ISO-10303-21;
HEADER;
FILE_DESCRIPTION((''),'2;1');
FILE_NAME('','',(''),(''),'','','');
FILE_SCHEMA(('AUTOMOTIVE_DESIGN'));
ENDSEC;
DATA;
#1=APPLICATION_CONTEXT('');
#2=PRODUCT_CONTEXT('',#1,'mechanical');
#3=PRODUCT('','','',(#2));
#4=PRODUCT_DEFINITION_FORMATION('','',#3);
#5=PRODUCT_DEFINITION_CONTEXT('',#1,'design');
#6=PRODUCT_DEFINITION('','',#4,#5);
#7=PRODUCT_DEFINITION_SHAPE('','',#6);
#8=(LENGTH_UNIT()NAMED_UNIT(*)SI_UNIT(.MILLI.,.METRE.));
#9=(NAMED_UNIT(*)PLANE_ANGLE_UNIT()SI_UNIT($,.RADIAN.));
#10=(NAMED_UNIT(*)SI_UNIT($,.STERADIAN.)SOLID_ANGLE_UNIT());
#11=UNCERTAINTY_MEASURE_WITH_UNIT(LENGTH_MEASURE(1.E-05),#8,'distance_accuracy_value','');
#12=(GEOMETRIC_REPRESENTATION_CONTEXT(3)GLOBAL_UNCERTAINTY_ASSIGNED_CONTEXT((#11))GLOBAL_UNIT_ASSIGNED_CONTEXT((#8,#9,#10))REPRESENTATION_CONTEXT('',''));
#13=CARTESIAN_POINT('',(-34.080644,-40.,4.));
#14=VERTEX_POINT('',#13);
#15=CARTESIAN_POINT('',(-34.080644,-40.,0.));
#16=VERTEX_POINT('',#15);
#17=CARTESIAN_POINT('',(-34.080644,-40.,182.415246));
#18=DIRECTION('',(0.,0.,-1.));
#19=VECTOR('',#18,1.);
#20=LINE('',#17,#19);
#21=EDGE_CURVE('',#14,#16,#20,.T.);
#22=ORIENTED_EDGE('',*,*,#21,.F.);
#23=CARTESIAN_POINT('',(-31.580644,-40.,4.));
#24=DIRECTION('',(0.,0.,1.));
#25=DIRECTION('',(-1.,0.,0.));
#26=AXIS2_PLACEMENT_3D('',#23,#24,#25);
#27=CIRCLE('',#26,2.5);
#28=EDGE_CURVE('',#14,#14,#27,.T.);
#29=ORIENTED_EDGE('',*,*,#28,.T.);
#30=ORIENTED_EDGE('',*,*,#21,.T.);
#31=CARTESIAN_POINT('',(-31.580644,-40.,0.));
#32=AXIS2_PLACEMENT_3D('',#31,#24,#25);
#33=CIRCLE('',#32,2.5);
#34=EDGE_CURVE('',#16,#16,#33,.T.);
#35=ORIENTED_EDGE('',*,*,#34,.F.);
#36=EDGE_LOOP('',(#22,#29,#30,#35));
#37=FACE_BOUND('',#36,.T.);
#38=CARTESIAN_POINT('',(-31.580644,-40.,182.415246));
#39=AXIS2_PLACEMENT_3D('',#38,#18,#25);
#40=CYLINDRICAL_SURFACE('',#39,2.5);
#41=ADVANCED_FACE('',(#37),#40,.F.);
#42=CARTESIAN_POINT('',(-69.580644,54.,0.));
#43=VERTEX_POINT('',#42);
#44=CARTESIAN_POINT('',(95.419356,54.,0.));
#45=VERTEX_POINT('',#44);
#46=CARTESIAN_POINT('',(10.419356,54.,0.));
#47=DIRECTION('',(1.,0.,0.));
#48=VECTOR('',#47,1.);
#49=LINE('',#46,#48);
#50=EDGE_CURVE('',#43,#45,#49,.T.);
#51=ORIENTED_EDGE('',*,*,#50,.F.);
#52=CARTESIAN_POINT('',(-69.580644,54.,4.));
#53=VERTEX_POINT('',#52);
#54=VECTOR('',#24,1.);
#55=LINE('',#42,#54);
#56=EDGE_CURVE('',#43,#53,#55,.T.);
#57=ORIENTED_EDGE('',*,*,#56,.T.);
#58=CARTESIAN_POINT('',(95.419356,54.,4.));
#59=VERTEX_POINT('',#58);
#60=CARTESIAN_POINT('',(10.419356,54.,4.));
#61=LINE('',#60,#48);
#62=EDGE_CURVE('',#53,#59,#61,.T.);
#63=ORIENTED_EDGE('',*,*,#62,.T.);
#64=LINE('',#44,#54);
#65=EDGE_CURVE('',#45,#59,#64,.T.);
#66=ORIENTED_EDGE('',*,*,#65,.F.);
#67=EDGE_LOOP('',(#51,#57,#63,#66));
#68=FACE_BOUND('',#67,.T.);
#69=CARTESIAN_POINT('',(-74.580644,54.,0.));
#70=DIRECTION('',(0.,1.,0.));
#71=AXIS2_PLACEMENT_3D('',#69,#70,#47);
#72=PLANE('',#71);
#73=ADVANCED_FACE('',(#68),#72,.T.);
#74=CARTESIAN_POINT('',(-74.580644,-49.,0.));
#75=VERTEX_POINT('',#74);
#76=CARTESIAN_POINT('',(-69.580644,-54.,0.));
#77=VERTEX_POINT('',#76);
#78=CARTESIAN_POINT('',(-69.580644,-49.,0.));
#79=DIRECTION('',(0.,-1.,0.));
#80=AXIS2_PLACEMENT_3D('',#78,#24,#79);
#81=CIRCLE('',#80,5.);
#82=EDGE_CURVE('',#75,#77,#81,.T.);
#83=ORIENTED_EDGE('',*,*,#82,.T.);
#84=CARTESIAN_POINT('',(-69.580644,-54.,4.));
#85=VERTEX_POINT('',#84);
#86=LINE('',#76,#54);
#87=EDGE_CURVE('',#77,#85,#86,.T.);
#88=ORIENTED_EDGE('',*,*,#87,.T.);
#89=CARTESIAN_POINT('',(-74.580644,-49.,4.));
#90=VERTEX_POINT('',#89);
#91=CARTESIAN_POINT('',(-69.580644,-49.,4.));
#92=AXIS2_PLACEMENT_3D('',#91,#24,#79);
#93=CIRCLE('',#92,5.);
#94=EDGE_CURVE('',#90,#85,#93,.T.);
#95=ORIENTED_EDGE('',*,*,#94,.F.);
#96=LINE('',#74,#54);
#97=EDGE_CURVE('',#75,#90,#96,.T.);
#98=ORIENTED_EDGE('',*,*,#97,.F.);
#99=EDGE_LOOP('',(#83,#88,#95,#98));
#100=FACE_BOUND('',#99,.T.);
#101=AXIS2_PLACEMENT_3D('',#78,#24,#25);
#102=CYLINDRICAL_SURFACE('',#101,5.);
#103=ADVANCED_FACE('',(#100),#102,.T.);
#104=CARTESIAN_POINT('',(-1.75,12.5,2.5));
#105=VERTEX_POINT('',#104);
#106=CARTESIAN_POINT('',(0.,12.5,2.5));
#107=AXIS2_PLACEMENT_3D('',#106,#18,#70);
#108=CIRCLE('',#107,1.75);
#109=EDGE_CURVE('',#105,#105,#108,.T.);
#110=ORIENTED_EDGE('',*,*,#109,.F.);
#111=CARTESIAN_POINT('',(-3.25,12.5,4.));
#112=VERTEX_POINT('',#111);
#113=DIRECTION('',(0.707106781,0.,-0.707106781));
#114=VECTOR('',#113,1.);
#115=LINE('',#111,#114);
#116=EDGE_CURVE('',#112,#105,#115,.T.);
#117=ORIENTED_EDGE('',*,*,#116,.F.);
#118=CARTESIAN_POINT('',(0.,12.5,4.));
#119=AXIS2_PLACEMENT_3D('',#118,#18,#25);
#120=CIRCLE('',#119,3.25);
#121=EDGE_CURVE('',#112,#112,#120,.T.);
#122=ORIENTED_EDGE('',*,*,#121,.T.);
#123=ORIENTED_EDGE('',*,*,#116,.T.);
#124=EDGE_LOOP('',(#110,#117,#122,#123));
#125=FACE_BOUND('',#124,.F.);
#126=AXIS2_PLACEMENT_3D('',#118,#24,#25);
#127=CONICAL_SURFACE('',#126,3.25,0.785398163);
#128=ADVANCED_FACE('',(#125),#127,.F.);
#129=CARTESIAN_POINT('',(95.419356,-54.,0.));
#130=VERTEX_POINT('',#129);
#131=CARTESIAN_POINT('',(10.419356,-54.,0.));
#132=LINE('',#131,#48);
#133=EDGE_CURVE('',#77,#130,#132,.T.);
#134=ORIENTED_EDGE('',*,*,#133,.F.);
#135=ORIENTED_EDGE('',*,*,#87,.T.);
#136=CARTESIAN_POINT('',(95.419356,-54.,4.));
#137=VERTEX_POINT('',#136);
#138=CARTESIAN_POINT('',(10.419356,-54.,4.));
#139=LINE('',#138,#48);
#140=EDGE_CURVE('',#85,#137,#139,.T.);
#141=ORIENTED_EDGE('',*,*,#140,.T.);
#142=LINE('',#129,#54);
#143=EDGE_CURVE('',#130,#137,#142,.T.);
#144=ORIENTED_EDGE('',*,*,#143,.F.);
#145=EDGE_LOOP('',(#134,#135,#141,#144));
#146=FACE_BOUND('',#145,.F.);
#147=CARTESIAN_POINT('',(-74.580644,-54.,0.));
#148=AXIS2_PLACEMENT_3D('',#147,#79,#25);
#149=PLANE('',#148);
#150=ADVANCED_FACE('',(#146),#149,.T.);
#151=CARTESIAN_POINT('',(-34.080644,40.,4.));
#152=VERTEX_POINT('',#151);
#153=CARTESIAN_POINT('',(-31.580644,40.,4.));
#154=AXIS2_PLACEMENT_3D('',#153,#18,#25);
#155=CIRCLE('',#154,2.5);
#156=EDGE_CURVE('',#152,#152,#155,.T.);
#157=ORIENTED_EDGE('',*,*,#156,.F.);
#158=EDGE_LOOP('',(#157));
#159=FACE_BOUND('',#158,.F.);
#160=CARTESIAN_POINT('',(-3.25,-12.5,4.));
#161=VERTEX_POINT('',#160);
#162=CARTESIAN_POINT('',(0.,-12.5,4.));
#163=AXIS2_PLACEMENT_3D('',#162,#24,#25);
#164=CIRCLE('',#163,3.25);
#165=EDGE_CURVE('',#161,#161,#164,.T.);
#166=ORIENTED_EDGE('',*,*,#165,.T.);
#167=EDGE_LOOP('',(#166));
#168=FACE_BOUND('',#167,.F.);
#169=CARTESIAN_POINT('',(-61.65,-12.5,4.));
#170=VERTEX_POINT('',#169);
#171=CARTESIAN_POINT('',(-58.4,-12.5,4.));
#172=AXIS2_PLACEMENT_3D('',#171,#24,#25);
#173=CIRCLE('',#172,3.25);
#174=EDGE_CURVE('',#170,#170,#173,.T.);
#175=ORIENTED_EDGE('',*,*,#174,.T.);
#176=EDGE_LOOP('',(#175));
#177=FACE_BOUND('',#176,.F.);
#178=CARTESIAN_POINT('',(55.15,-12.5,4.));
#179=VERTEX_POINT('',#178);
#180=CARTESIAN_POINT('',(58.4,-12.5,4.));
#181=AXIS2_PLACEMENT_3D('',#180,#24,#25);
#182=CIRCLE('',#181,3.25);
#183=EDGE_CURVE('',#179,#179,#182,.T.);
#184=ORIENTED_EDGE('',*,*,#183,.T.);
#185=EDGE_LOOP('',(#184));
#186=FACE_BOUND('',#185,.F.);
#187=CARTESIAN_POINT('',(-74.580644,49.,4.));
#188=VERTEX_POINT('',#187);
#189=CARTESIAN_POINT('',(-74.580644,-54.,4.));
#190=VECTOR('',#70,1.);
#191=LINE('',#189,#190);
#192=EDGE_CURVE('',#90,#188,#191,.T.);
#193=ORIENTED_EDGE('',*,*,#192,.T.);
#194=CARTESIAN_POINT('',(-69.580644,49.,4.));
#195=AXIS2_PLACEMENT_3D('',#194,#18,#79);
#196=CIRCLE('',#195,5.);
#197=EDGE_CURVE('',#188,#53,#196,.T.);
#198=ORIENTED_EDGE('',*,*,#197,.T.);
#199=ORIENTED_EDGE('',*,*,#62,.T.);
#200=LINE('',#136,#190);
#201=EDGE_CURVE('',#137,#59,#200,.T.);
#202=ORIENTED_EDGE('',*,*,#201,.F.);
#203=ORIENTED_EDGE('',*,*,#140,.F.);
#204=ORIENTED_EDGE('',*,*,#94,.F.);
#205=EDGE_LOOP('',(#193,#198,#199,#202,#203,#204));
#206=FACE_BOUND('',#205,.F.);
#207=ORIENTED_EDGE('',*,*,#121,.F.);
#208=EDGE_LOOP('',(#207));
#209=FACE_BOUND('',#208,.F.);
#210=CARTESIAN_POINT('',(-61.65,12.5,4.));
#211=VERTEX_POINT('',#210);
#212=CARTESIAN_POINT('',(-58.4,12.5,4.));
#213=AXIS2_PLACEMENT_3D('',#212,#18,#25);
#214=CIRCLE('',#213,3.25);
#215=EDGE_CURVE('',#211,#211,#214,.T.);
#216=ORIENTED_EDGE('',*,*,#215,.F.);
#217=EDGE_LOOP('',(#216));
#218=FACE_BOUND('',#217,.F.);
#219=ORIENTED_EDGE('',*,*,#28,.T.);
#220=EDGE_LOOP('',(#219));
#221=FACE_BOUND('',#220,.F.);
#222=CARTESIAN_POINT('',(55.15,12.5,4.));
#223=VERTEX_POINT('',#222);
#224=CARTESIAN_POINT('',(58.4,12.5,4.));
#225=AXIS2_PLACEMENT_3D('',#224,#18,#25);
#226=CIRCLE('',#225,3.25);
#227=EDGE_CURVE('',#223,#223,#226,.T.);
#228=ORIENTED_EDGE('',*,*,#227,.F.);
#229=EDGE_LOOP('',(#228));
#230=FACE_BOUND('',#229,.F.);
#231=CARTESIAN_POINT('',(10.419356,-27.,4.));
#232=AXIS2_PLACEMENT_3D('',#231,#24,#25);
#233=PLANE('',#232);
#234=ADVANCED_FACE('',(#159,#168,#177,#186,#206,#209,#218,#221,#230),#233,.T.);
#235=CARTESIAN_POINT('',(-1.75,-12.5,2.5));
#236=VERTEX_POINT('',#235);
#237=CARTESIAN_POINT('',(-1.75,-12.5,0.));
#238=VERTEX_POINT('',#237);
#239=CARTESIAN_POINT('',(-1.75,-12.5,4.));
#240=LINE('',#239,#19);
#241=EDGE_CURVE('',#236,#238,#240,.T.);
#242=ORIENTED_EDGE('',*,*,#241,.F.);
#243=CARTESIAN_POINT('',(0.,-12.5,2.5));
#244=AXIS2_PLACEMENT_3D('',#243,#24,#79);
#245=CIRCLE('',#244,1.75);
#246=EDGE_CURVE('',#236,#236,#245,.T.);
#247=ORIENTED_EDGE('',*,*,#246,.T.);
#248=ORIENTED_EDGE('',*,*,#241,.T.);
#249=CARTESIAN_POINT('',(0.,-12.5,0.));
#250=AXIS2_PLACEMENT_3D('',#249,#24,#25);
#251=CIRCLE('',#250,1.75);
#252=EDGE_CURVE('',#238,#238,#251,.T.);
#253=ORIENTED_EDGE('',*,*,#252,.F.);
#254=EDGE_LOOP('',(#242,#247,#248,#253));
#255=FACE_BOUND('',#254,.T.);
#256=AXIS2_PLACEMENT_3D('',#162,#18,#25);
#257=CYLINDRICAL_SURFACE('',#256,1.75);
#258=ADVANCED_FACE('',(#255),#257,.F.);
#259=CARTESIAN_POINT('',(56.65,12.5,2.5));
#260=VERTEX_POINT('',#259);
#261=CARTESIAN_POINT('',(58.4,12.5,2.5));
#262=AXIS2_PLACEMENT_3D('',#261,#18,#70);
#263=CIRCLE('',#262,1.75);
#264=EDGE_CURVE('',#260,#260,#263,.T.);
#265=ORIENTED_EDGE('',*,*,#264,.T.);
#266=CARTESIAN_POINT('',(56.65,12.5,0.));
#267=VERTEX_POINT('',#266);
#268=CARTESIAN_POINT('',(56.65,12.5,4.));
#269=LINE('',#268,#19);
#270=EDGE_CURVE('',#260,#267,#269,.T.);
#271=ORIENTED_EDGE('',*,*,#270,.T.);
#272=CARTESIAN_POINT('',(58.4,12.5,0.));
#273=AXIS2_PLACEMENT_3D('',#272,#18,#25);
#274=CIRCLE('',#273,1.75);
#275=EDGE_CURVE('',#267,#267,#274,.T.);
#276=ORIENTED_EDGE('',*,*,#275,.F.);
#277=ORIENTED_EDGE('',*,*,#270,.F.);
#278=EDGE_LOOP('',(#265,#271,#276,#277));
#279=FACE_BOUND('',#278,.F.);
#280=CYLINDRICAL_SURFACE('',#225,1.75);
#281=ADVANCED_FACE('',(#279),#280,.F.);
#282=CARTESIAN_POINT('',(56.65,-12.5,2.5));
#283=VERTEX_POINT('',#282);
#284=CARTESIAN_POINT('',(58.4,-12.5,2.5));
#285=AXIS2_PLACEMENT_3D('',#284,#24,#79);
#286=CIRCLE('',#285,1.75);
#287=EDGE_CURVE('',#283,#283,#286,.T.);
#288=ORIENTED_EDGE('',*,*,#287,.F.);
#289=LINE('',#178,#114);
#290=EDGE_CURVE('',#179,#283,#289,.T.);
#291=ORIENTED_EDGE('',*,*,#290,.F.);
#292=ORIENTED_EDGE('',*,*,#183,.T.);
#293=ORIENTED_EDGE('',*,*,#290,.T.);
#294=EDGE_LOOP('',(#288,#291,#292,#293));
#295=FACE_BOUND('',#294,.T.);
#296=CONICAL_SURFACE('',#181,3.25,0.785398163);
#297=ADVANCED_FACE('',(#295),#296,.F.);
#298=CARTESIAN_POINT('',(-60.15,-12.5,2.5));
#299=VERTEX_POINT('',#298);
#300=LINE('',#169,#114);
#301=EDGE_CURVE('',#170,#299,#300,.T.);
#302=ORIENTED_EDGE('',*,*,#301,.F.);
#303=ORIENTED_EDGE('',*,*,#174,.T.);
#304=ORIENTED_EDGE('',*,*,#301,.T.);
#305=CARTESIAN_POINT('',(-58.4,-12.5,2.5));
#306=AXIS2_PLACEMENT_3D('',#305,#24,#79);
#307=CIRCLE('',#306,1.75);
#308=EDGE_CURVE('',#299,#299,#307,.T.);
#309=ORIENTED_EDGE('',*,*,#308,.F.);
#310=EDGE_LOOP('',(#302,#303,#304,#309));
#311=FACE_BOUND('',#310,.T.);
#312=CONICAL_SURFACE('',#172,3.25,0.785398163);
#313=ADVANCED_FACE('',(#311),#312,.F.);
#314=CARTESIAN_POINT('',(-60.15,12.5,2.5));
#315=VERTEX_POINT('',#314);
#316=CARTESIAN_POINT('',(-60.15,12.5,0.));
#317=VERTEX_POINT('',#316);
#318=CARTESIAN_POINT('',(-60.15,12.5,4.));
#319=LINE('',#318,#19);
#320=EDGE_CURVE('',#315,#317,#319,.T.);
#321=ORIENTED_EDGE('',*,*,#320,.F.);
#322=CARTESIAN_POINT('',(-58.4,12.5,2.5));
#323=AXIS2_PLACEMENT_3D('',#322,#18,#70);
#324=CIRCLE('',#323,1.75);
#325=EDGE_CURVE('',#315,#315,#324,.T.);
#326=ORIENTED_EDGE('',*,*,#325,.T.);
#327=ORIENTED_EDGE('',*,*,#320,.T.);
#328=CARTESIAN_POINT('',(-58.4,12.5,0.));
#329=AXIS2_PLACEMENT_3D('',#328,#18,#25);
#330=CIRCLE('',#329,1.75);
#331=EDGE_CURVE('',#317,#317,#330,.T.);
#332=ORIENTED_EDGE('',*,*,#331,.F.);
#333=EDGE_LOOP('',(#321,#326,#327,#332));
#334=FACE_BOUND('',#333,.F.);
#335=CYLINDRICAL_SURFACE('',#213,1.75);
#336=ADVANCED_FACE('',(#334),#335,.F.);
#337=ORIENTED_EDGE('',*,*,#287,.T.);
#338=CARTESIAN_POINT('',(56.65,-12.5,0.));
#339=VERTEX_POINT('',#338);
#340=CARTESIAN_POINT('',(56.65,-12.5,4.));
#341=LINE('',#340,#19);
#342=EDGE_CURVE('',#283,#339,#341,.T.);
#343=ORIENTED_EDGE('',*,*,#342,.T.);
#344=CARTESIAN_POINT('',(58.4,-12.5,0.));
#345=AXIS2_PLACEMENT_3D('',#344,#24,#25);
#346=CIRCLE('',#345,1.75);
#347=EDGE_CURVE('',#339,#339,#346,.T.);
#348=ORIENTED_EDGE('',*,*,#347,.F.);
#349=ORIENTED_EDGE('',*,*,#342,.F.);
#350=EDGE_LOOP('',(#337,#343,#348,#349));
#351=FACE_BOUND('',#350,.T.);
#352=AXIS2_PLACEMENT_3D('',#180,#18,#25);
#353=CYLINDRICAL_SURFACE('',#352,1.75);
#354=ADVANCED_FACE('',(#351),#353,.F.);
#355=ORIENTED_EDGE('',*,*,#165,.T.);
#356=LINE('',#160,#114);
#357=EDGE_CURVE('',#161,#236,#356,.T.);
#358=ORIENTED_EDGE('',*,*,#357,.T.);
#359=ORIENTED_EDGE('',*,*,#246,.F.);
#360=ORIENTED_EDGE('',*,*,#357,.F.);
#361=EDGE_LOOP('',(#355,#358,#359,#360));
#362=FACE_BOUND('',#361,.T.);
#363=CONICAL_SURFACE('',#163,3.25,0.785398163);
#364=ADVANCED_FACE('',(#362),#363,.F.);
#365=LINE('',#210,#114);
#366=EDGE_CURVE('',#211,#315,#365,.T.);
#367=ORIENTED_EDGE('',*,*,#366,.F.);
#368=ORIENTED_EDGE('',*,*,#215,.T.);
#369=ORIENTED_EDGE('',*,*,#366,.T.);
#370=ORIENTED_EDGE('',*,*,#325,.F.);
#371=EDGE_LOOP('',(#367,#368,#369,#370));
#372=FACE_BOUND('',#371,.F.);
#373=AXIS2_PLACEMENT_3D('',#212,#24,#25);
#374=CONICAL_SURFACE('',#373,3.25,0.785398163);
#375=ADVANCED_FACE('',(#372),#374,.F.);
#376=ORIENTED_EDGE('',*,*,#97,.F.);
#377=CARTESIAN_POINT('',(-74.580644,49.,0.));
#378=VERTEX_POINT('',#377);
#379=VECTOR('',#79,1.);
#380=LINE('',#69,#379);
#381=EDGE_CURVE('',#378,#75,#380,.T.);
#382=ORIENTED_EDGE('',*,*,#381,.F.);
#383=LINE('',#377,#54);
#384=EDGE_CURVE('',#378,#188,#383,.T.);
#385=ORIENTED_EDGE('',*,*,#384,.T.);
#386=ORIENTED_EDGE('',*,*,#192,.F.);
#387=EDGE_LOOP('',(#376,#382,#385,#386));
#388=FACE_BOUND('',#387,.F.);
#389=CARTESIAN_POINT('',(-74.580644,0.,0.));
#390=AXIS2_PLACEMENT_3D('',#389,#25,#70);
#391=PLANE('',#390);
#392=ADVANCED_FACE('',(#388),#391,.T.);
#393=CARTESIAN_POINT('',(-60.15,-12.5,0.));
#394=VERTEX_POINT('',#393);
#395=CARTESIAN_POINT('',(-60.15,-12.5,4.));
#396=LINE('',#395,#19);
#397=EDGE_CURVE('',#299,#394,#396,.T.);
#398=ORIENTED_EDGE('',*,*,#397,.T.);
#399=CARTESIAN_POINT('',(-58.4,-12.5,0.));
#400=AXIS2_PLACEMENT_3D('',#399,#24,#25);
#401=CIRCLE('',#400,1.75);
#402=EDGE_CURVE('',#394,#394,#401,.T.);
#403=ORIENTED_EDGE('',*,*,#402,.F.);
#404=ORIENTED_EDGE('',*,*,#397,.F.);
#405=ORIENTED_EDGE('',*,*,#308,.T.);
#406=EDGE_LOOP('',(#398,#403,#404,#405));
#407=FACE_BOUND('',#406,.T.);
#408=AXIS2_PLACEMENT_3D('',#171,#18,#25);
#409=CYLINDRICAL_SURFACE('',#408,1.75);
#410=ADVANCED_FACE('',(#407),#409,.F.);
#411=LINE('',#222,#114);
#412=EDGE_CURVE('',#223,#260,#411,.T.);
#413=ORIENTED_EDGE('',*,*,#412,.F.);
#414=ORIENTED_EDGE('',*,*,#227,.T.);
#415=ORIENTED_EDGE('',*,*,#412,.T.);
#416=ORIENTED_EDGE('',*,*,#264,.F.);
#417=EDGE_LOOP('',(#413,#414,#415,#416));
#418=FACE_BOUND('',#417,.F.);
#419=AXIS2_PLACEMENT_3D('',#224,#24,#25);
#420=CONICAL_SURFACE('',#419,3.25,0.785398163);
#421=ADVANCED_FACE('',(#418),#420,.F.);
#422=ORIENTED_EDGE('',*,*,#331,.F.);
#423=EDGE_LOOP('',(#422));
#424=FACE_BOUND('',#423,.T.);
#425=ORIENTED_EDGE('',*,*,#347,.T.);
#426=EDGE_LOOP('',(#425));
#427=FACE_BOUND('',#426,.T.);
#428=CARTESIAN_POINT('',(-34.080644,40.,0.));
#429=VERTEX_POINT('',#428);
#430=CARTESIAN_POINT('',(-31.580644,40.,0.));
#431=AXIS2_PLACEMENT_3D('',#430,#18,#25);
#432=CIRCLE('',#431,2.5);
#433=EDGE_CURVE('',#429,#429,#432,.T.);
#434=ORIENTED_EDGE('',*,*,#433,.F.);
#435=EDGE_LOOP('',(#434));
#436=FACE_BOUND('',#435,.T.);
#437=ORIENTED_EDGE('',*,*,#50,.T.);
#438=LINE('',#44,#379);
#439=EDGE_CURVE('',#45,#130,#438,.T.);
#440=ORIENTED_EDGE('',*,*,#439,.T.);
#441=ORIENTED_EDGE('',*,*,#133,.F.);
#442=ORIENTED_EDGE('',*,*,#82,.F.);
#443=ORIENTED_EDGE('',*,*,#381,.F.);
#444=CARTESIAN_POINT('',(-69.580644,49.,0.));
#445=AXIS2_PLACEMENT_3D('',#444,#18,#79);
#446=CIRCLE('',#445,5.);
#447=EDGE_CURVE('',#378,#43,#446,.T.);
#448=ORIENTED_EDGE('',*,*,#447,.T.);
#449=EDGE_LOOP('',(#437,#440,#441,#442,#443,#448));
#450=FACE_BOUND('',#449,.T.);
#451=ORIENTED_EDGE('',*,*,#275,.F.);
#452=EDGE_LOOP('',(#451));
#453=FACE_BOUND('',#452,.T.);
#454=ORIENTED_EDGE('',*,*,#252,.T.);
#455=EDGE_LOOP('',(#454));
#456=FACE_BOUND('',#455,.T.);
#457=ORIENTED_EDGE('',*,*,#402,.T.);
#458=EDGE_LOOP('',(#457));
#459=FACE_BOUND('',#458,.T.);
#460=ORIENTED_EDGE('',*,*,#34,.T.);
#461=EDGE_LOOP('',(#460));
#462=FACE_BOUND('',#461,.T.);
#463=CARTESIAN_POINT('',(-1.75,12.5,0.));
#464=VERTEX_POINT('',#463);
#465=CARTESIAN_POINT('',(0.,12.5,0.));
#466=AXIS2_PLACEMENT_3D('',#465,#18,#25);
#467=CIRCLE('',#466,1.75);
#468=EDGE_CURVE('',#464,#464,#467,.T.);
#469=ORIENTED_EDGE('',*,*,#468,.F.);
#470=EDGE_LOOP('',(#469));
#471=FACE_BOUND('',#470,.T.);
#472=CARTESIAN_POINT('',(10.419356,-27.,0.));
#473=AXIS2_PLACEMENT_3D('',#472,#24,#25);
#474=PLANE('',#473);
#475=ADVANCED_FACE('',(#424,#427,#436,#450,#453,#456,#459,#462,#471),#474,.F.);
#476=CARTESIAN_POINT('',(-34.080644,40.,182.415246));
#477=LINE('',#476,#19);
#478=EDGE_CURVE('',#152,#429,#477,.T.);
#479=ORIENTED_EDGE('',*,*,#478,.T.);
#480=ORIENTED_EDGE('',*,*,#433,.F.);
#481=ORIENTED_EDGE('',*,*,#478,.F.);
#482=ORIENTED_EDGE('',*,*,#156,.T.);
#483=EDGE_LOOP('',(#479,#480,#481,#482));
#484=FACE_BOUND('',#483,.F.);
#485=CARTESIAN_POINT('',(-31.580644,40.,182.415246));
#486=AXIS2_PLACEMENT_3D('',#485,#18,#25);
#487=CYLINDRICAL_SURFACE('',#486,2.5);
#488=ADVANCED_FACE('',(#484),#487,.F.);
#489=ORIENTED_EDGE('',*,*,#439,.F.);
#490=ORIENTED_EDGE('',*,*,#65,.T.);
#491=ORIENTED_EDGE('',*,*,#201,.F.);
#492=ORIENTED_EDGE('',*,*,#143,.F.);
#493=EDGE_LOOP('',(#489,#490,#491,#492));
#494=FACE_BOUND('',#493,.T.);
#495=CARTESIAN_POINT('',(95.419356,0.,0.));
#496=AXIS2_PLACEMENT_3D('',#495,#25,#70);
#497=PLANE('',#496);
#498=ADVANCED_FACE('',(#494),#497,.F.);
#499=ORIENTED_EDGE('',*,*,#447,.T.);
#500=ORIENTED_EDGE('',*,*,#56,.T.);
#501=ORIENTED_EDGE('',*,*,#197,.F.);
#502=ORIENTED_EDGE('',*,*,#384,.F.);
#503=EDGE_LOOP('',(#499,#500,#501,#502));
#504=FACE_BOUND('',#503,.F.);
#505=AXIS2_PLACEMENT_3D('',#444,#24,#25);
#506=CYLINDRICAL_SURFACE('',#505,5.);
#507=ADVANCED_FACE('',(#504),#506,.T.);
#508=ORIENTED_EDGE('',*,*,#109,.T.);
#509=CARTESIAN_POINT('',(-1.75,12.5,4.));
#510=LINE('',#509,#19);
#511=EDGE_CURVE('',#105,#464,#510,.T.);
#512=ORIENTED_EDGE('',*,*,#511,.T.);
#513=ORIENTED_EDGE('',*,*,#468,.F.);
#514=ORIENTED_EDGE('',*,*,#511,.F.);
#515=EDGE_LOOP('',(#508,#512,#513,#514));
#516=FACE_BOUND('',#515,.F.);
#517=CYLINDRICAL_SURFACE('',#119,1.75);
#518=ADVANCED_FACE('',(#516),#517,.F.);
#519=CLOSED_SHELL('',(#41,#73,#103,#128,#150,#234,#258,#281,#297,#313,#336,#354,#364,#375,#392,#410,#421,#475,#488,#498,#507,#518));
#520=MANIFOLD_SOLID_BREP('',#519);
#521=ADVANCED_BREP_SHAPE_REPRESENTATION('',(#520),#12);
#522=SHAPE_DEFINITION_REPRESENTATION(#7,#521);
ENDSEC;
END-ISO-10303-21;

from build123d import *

# Parameters (mm, degrees)
F0_W           = 170
F0_H           = 54
F1_DEPTH       = 4
F3_D           = 5
F4_D           = 3.5
F4_CSINK_D     = 6.5
F4_CSINK_ANGLE = 90
F6_R           = 5


with BuildPart() as f1:
    # F0 (on Top) → F1 (new body)
    with BuildSketch(Plane.XY):
        with Locations((10.4193558595, 27)):
            Rectangle(F0_W, F0_H)
    extrude(amount=F1_DEPTH)

    # F3 (through all)
    with Locations(Plane.XY.offset(4)):
        with Locations((-31.5806441405, 40)):
            Hole(F3_D / 2)

    # F4 (through all)
    with Locations(Plane.XY.offset(4)):
        with Locations((-58.4, 12.5), (0, 12.5), (58.4, 12.5)):
            CounterSinkHole(F4_D / 2, F4_CSINK_D / 2, counter_sink_angle=F4_CSINK_ANGLE)

    # F5: F1 across face


with BuildPart() as f1_1:
    add(f1.part)
    add(f1.part.mirror(Plane(origin=(10.4193558595, 0, 2), x_dir=(1, 0, 0), z_dir=(0, -1, 0))))

    # F6
    f6_edges = [f1_1.edges().sort_by_distance(p)[0] for p in [
        (-74.580644, 54, 2),
        (-74.580644, -54, 2),
    ]]
    fillet(f6_edges, radius=F6_R)


solid = f1_1.part
